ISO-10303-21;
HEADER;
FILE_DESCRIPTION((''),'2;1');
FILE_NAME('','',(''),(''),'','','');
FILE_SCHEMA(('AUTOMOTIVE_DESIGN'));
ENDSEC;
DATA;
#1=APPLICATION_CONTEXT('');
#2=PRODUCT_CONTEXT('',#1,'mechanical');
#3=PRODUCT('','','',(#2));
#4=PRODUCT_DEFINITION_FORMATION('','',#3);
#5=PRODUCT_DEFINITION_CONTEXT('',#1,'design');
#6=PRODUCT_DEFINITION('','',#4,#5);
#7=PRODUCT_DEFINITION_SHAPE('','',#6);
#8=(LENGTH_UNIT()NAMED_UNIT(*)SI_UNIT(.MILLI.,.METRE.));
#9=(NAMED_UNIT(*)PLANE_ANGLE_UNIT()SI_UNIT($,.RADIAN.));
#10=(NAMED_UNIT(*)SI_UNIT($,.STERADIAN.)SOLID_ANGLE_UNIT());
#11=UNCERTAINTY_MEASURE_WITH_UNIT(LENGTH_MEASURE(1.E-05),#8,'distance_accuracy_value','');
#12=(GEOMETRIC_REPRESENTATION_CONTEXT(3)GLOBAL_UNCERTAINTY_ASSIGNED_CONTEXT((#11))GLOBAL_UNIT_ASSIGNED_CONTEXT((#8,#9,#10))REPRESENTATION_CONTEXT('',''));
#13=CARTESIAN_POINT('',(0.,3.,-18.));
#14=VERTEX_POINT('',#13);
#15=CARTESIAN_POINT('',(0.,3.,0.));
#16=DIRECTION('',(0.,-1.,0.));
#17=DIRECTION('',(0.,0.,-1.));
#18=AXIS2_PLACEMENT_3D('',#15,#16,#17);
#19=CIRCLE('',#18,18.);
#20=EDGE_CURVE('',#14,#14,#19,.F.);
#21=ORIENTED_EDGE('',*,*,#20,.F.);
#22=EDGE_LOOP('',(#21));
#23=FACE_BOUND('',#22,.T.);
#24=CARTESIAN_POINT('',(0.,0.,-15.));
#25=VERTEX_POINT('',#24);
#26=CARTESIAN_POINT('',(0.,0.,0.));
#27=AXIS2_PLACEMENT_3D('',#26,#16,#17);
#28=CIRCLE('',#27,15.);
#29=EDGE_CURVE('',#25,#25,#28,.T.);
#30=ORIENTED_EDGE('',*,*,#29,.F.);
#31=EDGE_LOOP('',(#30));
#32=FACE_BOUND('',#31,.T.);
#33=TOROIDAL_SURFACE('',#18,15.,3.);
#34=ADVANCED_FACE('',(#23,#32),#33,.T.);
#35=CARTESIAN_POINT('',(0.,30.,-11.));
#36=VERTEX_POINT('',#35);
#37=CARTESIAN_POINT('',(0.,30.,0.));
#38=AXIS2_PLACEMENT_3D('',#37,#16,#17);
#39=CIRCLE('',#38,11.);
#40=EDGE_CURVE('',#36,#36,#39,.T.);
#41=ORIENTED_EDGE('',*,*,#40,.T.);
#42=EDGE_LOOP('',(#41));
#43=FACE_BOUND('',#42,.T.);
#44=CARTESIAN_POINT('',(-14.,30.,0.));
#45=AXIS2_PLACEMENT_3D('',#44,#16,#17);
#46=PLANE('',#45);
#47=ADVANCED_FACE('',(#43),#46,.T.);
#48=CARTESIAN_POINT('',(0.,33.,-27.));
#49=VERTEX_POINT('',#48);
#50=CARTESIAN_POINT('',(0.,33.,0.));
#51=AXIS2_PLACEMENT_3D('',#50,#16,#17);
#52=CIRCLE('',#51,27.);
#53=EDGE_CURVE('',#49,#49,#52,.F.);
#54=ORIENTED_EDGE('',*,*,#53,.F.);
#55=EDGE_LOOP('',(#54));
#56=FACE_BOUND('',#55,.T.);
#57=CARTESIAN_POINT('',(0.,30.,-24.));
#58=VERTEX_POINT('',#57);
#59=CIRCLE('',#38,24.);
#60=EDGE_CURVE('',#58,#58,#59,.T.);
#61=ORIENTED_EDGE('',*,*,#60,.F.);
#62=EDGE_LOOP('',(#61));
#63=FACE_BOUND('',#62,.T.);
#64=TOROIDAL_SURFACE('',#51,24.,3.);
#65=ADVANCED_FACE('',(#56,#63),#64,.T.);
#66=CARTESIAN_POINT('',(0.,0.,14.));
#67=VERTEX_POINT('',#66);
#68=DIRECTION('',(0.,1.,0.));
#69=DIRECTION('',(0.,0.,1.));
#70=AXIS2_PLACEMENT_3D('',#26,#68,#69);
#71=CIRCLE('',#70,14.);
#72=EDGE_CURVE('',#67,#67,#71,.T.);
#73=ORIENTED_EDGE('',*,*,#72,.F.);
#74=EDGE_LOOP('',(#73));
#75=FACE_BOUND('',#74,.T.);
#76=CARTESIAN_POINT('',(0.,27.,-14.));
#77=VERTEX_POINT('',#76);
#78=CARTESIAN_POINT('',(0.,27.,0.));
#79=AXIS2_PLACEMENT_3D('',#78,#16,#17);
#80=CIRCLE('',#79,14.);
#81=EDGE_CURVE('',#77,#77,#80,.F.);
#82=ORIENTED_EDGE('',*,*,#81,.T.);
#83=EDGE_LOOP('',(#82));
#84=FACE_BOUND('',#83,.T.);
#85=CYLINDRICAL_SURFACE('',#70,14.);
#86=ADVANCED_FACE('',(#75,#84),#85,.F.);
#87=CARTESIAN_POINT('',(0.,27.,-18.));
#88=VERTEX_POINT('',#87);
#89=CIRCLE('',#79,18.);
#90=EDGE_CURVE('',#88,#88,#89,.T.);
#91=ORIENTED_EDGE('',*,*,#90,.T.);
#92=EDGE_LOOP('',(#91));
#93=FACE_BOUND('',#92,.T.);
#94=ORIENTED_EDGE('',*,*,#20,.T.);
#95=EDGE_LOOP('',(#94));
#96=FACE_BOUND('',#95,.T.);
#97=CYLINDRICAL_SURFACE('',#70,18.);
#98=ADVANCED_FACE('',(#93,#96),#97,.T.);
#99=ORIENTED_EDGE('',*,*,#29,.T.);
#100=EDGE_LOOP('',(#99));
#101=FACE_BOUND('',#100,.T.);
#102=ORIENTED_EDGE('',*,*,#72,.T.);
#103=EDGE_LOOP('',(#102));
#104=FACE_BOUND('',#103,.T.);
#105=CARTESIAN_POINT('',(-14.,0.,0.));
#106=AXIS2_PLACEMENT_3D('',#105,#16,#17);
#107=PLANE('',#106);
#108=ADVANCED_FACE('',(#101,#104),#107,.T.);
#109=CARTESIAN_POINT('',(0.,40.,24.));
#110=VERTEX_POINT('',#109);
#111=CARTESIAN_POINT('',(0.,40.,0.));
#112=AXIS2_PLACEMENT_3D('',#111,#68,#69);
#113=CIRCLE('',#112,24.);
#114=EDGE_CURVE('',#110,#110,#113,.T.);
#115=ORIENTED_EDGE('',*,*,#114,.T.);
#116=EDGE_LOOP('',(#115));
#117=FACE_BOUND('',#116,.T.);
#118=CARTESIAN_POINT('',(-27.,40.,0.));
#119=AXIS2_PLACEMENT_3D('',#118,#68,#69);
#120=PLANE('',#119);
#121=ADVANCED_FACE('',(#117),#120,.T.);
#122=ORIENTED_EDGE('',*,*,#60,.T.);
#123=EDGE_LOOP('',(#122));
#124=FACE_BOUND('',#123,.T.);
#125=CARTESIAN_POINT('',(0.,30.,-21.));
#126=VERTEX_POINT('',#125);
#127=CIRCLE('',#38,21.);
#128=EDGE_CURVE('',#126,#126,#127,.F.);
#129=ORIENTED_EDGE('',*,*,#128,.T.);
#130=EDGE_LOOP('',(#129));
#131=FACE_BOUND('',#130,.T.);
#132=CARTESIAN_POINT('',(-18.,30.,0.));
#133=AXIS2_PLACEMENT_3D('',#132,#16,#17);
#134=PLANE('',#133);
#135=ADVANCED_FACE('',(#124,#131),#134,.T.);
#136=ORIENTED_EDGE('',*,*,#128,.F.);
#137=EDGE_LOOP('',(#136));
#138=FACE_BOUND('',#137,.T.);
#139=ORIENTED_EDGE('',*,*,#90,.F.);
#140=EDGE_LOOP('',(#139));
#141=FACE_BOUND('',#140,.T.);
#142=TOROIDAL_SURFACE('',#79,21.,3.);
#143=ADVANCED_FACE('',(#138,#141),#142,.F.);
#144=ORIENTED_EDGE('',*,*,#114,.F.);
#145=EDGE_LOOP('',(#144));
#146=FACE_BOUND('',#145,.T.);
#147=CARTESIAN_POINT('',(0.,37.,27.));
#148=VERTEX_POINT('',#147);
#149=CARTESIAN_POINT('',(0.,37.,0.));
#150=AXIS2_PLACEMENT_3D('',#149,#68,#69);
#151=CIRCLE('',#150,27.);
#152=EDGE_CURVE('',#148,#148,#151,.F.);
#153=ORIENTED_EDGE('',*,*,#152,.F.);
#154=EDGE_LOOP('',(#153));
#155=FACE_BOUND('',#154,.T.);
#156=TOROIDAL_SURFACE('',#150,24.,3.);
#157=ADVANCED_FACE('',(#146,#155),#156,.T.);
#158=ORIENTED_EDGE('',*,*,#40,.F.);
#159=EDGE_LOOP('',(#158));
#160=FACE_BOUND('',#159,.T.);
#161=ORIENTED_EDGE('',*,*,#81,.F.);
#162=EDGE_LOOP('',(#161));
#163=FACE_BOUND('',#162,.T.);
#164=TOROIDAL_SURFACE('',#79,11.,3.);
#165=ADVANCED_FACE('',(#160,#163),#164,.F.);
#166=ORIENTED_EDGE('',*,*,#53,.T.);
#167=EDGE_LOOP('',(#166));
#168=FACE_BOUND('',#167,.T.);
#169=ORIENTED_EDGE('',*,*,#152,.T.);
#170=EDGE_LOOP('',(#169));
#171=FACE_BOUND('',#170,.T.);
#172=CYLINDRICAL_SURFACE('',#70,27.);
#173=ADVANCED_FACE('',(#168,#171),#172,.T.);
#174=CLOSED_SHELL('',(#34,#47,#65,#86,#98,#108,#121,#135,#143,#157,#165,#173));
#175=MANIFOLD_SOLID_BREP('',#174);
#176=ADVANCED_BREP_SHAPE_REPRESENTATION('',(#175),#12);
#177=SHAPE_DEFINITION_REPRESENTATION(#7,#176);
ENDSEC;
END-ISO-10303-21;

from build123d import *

# Parameters (mm, degrees)
FILLET1_R = 3


with BuildPart() as part:
    # Sketch1 → Revolve1 (revolve)
    with BuildSketch(Plane.XY, mode=Mode.PRIVATE) as revolve1_sk:
        Polygon((-18, 0), (-18, 30), (-27, 30), (-27, 40), (0, 40), (0, 30), (-14, 30), (-14, 0), align=None)
    revolve(revolve1_sk.sketch.rotate(Axis((0, 0, 0), (0, -1, 0)), 270), axis=Axis((0, 0, 0), (0, -1, 0)))

    # Fillet1
    fillet1_edges = [part.edges().sort_by_distance(p)[0] for p in [
        (0, 0, -18),
        (0, 30, -14),
        (0, 40, -27),
        (0, 30, -27),
        (0, 30, -18),
    ]]
    fillet(fillet1_edges, radius=FILLET1_R)


solid = part.part
